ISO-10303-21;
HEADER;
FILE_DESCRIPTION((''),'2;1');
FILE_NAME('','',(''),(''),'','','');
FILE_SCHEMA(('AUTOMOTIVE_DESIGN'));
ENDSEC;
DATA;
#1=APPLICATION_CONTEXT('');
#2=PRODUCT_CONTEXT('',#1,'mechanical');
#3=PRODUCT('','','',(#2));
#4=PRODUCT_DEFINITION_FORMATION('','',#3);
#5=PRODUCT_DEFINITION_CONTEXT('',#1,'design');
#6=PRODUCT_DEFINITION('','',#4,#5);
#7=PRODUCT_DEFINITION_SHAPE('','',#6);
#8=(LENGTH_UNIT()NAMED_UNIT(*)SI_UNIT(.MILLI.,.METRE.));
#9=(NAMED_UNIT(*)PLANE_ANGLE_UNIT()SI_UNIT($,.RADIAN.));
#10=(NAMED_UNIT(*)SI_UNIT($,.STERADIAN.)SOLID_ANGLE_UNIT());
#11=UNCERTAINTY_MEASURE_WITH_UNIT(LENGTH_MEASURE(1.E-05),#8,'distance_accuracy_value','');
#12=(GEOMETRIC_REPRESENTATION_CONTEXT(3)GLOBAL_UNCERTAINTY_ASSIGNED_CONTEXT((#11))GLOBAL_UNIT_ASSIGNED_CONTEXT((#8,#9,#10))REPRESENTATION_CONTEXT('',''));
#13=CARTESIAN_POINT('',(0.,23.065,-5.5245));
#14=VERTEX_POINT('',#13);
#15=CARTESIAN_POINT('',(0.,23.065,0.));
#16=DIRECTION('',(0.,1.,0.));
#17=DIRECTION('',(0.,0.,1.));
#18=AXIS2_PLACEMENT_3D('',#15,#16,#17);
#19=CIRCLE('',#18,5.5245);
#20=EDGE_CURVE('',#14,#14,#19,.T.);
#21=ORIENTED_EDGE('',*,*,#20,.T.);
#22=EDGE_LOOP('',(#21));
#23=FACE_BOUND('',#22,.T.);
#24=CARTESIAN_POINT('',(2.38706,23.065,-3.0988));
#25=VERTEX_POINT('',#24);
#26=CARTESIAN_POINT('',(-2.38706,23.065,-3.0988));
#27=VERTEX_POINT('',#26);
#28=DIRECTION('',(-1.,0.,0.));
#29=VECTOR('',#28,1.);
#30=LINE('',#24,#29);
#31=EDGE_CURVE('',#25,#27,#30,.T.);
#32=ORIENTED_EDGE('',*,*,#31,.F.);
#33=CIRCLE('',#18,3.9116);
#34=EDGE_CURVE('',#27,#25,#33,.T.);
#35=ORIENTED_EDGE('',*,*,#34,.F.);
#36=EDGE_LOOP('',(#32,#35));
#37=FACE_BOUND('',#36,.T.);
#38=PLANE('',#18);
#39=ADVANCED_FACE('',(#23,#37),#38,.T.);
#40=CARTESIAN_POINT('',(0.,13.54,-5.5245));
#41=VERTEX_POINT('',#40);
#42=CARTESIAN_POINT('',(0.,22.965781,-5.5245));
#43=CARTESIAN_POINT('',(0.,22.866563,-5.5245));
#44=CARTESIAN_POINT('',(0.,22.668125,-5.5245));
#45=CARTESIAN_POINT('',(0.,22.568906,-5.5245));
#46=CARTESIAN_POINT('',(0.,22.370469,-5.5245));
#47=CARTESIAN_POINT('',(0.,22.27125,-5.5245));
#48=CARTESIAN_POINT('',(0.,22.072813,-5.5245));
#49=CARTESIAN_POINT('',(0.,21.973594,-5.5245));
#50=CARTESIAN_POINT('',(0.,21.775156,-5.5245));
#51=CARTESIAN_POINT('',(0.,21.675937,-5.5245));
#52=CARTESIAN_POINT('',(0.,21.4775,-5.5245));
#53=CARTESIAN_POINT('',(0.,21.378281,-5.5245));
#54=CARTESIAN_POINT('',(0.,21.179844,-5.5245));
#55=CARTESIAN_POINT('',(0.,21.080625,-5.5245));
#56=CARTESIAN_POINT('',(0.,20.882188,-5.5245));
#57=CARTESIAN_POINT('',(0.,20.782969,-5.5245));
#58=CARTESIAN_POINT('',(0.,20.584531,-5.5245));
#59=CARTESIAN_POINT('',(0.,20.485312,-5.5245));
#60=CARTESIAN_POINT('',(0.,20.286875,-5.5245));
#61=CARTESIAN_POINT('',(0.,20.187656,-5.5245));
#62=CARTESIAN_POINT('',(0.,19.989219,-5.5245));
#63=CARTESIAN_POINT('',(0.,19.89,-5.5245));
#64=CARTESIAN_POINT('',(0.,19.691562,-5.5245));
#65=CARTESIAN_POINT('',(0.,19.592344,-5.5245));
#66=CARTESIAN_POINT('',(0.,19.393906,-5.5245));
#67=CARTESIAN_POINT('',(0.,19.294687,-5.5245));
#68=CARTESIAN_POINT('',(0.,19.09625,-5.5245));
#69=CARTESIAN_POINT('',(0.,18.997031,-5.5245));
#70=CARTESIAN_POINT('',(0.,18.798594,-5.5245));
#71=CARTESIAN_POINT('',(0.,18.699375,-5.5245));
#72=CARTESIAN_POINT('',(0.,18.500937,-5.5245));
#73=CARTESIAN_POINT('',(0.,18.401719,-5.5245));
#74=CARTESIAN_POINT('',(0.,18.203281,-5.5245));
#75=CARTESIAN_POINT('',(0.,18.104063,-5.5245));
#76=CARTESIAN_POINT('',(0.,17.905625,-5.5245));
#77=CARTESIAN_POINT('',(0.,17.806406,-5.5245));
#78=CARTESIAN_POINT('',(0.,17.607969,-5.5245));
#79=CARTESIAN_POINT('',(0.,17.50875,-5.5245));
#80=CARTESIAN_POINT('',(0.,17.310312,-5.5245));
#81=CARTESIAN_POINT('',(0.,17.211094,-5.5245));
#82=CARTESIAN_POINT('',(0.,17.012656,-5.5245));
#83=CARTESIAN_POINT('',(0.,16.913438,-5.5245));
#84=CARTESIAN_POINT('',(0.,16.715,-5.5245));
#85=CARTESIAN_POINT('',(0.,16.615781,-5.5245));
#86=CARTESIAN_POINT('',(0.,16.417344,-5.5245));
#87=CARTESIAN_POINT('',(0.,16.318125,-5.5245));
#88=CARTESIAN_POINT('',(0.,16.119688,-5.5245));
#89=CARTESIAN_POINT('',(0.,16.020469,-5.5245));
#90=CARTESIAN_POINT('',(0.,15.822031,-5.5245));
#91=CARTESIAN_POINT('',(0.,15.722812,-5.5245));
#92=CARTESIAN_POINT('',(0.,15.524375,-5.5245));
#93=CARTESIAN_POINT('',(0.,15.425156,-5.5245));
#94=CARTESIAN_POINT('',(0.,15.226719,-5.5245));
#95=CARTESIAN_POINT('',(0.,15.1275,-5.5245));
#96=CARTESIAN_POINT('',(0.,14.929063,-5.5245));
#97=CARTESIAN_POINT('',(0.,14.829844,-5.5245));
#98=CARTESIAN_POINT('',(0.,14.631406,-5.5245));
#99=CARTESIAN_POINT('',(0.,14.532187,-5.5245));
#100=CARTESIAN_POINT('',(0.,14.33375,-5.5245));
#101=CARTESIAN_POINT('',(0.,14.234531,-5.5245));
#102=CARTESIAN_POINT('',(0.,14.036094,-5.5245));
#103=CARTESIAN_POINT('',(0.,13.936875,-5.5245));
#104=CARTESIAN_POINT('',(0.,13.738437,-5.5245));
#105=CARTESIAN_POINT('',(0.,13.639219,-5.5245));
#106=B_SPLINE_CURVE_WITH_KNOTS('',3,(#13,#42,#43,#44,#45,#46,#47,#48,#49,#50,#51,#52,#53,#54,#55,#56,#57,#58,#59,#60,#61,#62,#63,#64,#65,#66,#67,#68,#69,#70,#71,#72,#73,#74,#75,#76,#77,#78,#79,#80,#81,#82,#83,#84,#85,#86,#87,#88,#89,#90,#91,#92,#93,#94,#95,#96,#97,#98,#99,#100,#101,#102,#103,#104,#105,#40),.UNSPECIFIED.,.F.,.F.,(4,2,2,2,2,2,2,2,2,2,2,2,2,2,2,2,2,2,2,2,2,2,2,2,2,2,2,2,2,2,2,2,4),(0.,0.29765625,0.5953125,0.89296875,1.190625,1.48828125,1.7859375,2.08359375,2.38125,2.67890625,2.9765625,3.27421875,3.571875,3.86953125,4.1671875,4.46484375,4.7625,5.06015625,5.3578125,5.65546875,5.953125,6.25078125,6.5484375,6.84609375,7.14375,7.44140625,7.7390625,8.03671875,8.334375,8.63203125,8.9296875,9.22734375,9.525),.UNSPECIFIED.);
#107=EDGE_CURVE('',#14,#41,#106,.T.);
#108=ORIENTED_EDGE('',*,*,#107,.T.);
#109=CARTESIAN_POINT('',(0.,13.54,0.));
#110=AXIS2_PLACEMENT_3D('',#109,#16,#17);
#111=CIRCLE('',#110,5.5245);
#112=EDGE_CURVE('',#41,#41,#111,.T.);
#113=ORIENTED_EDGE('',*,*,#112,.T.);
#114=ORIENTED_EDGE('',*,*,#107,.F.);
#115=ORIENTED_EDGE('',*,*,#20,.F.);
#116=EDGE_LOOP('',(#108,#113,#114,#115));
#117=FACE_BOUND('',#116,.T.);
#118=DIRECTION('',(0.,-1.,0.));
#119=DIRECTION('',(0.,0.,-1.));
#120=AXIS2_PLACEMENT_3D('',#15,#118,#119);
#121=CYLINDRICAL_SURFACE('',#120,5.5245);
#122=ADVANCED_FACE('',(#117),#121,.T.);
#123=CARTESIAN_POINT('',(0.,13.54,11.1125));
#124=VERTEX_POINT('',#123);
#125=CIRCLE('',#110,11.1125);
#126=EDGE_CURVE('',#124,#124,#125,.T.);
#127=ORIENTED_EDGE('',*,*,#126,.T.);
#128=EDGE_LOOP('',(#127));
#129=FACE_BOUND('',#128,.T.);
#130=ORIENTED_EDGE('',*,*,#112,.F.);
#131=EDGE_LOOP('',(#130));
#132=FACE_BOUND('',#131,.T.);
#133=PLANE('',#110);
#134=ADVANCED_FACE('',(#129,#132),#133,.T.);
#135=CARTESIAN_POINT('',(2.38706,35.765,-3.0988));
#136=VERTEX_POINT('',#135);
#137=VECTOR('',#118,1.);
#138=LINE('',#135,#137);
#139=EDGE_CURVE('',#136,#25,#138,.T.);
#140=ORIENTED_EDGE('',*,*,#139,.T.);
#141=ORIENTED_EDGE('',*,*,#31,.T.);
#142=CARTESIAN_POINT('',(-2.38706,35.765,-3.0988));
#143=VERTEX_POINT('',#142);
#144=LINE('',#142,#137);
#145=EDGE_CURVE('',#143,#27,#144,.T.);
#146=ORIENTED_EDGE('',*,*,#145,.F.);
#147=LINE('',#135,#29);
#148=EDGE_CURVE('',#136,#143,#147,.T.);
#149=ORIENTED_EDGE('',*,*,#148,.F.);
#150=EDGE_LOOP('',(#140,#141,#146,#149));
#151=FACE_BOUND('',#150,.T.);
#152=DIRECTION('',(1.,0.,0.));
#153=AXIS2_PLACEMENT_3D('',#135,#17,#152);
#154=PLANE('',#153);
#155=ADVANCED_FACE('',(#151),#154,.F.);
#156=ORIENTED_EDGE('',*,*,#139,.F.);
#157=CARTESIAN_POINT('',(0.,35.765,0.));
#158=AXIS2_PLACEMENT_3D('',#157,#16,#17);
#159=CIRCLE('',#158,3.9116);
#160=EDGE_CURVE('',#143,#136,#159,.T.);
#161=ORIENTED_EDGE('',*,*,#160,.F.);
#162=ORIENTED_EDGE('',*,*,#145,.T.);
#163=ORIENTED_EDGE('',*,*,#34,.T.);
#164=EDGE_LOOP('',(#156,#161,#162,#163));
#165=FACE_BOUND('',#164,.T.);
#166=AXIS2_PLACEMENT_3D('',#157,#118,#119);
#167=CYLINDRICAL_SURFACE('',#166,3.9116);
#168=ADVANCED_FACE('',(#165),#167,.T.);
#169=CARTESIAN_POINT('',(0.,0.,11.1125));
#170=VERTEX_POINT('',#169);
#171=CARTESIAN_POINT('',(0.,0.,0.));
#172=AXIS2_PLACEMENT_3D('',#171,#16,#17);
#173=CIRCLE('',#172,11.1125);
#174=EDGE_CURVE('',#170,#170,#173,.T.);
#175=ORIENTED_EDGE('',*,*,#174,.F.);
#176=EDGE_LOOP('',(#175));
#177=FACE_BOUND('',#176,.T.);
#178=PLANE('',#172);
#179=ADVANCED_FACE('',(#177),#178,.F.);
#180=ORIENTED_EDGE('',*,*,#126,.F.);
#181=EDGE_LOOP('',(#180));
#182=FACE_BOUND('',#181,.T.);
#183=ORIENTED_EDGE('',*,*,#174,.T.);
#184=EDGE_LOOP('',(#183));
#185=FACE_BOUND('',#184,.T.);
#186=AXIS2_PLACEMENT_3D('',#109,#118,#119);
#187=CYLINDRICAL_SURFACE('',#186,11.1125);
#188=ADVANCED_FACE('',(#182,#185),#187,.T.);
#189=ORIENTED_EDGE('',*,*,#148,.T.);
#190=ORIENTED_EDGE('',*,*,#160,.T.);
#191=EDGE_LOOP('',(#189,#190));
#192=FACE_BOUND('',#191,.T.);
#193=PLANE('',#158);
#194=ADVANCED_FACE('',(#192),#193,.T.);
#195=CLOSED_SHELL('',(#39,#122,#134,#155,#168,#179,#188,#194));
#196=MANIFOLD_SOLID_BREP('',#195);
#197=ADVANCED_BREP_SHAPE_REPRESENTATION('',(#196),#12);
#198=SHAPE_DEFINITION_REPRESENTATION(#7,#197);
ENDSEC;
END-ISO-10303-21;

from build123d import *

# Parameters (mm, degrees)
SKETCH1_R           = 11.1125
BOSS_EXTRUDE1_DEPTH = 13.54
SKETCH2_R           = 5.5245
BOSS_EXTRUDE2_DEPTH = 9.525
BOSS_EXTRUDE3_DEPTH = 12.7


with BuildPart() as part:
    # Sketch1 → Boss-Extrude1 (new body)
    with BuildSketch(Plane(origin=(0, 0, 0), x_dir=(1, 0, 0), z_dir=(0, 1, 0))):
        with Locations(Location((0, 0, 0), (0, 0, 270))):
            Circle(SKETCH1_R)
    extrude(amount=BOSS_EXTRUDE1_DEPTH)

    # Sketch2 → Boss-Extrude2 (add)
    with BuildSketch(Plane(origin=(0, 13.54, 0), x_dir=(1, 0, 0), z_dir=(0, 1, 0))):
        with Locations(Location((0, 0, 0), (0, 0, 90))):
            Circle(SKETCH2_R)
    extrude(amount=BOSS_EXTRUDE2_DEPTH)

    # Sketch3 → Boss-Extrude3 (add)
    with BuildSketch(Plane(origin=(0, 23.065, 0), x_dir=(1, 0, 0), z_dir=(0, 1, 0))):
        with BuildLine():
            Line((2.387059513, 3.0988), (-2.387059513, 3.0988))
            ThreePointArc((-2.387059513, 3.0988), (0, -3.9116), (2.387059513, 3.0988))
        make_face()
    extrude(amount=BOSS_EXTRUDE3_DEPTH)


solid = part.part
